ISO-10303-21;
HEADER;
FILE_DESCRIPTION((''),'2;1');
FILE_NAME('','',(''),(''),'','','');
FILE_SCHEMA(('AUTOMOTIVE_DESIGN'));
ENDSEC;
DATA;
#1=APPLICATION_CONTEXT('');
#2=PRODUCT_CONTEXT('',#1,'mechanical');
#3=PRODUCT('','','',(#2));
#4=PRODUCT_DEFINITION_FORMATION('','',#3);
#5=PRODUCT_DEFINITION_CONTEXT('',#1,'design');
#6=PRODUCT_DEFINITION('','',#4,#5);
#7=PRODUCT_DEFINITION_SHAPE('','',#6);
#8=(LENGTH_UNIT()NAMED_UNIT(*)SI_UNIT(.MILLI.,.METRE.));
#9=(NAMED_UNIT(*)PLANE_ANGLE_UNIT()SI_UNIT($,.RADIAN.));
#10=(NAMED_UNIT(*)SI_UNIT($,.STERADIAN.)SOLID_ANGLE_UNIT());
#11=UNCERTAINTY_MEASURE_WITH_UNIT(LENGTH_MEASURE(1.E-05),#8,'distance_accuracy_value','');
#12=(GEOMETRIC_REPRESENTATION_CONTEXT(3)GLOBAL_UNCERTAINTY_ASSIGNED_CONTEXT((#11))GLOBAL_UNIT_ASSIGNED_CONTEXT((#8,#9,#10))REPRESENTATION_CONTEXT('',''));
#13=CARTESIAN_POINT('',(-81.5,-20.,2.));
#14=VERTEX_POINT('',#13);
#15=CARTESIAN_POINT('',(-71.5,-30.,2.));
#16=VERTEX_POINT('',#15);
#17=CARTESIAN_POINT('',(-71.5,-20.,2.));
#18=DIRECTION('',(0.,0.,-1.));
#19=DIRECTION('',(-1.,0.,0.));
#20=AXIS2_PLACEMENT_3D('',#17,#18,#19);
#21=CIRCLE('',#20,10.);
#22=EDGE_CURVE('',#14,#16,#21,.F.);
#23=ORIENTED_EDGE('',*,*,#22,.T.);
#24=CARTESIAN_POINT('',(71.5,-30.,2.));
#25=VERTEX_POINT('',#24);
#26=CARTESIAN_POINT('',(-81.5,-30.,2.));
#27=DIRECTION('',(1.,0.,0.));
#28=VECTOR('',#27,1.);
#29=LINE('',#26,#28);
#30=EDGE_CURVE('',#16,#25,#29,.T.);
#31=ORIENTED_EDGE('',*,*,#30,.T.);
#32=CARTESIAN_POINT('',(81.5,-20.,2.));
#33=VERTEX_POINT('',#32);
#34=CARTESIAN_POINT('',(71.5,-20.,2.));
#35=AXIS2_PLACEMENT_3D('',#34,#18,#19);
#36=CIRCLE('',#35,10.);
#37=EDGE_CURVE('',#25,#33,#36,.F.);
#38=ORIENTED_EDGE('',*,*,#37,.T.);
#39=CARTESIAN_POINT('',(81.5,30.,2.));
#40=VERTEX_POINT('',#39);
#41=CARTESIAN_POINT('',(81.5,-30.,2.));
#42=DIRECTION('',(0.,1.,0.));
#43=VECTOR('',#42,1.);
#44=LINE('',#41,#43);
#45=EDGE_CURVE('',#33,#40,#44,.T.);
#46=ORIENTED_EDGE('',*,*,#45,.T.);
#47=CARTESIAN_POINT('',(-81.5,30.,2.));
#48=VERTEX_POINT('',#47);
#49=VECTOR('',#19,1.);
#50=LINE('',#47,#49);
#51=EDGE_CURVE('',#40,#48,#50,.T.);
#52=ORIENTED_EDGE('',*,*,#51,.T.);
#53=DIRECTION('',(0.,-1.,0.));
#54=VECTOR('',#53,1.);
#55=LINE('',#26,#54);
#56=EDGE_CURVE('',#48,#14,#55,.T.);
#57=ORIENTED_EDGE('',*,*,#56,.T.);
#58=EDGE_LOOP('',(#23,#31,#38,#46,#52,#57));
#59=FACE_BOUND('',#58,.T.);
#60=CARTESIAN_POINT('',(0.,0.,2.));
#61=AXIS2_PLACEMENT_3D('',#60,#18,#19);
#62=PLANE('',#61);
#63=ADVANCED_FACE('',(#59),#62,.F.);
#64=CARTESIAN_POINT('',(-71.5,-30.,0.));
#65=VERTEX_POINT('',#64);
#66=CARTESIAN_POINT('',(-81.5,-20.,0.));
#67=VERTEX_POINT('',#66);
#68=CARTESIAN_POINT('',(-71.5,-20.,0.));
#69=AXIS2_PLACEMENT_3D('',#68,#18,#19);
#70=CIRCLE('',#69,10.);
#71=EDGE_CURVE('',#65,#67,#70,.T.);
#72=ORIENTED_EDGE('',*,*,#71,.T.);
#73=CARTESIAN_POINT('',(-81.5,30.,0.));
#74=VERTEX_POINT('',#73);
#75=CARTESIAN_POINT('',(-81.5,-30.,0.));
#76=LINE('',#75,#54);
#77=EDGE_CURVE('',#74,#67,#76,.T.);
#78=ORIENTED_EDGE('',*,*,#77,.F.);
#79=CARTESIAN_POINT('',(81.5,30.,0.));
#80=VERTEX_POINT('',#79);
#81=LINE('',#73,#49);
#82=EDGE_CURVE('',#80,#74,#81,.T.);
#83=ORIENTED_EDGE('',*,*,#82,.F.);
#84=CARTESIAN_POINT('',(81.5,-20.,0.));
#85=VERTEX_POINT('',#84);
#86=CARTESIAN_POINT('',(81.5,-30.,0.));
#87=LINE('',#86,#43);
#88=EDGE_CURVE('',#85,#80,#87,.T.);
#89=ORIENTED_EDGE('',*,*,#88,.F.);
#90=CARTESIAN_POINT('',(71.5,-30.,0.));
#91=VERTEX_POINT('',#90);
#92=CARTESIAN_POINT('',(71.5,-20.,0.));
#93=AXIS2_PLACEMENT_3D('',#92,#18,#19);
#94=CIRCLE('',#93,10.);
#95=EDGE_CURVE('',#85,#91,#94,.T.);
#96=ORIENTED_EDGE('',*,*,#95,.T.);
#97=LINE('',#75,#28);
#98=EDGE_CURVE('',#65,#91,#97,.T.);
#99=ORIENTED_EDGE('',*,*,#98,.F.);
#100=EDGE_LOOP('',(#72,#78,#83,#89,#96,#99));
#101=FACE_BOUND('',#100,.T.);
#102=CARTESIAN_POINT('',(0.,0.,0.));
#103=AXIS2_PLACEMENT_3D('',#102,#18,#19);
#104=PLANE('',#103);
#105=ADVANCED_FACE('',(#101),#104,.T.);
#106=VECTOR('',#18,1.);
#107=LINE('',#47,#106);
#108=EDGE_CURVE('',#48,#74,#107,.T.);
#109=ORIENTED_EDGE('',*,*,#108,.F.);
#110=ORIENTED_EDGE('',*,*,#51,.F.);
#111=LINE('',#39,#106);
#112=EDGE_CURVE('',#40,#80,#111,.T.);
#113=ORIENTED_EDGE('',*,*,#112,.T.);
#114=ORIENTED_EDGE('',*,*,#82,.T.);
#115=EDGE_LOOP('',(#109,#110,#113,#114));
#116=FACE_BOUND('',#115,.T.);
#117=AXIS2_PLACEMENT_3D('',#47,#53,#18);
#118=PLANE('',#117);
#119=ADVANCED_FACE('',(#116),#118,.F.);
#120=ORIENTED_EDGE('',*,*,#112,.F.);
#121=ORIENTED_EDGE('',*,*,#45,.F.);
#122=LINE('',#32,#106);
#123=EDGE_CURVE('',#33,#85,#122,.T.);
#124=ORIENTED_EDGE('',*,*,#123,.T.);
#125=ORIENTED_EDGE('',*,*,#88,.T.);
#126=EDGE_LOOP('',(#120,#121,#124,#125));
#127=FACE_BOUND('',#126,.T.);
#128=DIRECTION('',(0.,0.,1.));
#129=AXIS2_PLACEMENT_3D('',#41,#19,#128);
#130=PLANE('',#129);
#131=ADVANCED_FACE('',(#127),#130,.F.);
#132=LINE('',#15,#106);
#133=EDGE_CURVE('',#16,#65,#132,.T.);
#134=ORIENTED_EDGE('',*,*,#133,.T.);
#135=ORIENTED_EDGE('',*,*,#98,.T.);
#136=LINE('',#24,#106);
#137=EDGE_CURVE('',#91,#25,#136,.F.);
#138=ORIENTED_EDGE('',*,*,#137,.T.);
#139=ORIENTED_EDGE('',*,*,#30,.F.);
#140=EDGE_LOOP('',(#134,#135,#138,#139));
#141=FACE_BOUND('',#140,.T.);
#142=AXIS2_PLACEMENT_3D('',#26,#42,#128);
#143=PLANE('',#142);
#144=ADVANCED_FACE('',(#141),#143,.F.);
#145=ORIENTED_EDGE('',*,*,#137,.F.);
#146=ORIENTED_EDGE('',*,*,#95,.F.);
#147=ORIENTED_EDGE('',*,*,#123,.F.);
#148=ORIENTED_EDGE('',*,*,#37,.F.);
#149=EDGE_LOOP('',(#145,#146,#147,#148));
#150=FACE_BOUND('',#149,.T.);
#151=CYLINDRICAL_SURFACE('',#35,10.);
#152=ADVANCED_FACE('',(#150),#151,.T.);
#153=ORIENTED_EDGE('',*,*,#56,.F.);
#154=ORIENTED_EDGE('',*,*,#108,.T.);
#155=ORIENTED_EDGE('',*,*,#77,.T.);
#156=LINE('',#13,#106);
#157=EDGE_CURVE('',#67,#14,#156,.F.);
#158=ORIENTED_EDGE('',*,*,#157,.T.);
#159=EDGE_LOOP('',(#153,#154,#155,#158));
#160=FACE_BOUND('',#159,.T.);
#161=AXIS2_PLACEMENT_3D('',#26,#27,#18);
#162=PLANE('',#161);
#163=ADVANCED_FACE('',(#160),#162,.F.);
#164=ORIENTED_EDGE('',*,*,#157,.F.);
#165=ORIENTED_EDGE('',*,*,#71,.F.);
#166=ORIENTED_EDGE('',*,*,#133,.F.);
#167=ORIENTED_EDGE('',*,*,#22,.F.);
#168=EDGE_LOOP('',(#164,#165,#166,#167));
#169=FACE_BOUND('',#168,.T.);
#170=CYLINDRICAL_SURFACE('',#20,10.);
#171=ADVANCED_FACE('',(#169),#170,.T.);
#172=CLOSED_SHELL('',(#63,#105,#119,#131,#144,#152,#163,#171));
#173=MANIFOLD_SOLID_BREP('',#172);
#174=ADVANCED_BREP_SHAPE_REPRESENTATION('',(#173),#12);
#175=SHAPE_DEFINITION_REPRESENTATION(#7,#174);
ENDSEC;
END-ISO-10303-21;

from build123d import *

# Parameters (mm, degrees)
SKETCH_1_W      = 163
SKETCH_1_H      = 60
EXTRUDE_1_DEPTH = 2
FILLET_1_R      = 10


with BuildPart() as part:
    # Эскиз1 → Бобышка-Вытянуть1 (new body)
    with BuildSketch(Plane.XY):
        Rectangle(SKETCH_1_W, SKETCH_1_H)
    extrude(amount=EXTRUDE_1_DEPTH)

    # Скругление1
    fillet_1_edges = [part.edges().sort_by_distance(p)[0] for p in [
        (81.5, -30, 1),
        (-81.5, -30, 1),
    ]]
    fillet(fillet_1_edges, radius=FILLET_1_R)


solid = part.part
